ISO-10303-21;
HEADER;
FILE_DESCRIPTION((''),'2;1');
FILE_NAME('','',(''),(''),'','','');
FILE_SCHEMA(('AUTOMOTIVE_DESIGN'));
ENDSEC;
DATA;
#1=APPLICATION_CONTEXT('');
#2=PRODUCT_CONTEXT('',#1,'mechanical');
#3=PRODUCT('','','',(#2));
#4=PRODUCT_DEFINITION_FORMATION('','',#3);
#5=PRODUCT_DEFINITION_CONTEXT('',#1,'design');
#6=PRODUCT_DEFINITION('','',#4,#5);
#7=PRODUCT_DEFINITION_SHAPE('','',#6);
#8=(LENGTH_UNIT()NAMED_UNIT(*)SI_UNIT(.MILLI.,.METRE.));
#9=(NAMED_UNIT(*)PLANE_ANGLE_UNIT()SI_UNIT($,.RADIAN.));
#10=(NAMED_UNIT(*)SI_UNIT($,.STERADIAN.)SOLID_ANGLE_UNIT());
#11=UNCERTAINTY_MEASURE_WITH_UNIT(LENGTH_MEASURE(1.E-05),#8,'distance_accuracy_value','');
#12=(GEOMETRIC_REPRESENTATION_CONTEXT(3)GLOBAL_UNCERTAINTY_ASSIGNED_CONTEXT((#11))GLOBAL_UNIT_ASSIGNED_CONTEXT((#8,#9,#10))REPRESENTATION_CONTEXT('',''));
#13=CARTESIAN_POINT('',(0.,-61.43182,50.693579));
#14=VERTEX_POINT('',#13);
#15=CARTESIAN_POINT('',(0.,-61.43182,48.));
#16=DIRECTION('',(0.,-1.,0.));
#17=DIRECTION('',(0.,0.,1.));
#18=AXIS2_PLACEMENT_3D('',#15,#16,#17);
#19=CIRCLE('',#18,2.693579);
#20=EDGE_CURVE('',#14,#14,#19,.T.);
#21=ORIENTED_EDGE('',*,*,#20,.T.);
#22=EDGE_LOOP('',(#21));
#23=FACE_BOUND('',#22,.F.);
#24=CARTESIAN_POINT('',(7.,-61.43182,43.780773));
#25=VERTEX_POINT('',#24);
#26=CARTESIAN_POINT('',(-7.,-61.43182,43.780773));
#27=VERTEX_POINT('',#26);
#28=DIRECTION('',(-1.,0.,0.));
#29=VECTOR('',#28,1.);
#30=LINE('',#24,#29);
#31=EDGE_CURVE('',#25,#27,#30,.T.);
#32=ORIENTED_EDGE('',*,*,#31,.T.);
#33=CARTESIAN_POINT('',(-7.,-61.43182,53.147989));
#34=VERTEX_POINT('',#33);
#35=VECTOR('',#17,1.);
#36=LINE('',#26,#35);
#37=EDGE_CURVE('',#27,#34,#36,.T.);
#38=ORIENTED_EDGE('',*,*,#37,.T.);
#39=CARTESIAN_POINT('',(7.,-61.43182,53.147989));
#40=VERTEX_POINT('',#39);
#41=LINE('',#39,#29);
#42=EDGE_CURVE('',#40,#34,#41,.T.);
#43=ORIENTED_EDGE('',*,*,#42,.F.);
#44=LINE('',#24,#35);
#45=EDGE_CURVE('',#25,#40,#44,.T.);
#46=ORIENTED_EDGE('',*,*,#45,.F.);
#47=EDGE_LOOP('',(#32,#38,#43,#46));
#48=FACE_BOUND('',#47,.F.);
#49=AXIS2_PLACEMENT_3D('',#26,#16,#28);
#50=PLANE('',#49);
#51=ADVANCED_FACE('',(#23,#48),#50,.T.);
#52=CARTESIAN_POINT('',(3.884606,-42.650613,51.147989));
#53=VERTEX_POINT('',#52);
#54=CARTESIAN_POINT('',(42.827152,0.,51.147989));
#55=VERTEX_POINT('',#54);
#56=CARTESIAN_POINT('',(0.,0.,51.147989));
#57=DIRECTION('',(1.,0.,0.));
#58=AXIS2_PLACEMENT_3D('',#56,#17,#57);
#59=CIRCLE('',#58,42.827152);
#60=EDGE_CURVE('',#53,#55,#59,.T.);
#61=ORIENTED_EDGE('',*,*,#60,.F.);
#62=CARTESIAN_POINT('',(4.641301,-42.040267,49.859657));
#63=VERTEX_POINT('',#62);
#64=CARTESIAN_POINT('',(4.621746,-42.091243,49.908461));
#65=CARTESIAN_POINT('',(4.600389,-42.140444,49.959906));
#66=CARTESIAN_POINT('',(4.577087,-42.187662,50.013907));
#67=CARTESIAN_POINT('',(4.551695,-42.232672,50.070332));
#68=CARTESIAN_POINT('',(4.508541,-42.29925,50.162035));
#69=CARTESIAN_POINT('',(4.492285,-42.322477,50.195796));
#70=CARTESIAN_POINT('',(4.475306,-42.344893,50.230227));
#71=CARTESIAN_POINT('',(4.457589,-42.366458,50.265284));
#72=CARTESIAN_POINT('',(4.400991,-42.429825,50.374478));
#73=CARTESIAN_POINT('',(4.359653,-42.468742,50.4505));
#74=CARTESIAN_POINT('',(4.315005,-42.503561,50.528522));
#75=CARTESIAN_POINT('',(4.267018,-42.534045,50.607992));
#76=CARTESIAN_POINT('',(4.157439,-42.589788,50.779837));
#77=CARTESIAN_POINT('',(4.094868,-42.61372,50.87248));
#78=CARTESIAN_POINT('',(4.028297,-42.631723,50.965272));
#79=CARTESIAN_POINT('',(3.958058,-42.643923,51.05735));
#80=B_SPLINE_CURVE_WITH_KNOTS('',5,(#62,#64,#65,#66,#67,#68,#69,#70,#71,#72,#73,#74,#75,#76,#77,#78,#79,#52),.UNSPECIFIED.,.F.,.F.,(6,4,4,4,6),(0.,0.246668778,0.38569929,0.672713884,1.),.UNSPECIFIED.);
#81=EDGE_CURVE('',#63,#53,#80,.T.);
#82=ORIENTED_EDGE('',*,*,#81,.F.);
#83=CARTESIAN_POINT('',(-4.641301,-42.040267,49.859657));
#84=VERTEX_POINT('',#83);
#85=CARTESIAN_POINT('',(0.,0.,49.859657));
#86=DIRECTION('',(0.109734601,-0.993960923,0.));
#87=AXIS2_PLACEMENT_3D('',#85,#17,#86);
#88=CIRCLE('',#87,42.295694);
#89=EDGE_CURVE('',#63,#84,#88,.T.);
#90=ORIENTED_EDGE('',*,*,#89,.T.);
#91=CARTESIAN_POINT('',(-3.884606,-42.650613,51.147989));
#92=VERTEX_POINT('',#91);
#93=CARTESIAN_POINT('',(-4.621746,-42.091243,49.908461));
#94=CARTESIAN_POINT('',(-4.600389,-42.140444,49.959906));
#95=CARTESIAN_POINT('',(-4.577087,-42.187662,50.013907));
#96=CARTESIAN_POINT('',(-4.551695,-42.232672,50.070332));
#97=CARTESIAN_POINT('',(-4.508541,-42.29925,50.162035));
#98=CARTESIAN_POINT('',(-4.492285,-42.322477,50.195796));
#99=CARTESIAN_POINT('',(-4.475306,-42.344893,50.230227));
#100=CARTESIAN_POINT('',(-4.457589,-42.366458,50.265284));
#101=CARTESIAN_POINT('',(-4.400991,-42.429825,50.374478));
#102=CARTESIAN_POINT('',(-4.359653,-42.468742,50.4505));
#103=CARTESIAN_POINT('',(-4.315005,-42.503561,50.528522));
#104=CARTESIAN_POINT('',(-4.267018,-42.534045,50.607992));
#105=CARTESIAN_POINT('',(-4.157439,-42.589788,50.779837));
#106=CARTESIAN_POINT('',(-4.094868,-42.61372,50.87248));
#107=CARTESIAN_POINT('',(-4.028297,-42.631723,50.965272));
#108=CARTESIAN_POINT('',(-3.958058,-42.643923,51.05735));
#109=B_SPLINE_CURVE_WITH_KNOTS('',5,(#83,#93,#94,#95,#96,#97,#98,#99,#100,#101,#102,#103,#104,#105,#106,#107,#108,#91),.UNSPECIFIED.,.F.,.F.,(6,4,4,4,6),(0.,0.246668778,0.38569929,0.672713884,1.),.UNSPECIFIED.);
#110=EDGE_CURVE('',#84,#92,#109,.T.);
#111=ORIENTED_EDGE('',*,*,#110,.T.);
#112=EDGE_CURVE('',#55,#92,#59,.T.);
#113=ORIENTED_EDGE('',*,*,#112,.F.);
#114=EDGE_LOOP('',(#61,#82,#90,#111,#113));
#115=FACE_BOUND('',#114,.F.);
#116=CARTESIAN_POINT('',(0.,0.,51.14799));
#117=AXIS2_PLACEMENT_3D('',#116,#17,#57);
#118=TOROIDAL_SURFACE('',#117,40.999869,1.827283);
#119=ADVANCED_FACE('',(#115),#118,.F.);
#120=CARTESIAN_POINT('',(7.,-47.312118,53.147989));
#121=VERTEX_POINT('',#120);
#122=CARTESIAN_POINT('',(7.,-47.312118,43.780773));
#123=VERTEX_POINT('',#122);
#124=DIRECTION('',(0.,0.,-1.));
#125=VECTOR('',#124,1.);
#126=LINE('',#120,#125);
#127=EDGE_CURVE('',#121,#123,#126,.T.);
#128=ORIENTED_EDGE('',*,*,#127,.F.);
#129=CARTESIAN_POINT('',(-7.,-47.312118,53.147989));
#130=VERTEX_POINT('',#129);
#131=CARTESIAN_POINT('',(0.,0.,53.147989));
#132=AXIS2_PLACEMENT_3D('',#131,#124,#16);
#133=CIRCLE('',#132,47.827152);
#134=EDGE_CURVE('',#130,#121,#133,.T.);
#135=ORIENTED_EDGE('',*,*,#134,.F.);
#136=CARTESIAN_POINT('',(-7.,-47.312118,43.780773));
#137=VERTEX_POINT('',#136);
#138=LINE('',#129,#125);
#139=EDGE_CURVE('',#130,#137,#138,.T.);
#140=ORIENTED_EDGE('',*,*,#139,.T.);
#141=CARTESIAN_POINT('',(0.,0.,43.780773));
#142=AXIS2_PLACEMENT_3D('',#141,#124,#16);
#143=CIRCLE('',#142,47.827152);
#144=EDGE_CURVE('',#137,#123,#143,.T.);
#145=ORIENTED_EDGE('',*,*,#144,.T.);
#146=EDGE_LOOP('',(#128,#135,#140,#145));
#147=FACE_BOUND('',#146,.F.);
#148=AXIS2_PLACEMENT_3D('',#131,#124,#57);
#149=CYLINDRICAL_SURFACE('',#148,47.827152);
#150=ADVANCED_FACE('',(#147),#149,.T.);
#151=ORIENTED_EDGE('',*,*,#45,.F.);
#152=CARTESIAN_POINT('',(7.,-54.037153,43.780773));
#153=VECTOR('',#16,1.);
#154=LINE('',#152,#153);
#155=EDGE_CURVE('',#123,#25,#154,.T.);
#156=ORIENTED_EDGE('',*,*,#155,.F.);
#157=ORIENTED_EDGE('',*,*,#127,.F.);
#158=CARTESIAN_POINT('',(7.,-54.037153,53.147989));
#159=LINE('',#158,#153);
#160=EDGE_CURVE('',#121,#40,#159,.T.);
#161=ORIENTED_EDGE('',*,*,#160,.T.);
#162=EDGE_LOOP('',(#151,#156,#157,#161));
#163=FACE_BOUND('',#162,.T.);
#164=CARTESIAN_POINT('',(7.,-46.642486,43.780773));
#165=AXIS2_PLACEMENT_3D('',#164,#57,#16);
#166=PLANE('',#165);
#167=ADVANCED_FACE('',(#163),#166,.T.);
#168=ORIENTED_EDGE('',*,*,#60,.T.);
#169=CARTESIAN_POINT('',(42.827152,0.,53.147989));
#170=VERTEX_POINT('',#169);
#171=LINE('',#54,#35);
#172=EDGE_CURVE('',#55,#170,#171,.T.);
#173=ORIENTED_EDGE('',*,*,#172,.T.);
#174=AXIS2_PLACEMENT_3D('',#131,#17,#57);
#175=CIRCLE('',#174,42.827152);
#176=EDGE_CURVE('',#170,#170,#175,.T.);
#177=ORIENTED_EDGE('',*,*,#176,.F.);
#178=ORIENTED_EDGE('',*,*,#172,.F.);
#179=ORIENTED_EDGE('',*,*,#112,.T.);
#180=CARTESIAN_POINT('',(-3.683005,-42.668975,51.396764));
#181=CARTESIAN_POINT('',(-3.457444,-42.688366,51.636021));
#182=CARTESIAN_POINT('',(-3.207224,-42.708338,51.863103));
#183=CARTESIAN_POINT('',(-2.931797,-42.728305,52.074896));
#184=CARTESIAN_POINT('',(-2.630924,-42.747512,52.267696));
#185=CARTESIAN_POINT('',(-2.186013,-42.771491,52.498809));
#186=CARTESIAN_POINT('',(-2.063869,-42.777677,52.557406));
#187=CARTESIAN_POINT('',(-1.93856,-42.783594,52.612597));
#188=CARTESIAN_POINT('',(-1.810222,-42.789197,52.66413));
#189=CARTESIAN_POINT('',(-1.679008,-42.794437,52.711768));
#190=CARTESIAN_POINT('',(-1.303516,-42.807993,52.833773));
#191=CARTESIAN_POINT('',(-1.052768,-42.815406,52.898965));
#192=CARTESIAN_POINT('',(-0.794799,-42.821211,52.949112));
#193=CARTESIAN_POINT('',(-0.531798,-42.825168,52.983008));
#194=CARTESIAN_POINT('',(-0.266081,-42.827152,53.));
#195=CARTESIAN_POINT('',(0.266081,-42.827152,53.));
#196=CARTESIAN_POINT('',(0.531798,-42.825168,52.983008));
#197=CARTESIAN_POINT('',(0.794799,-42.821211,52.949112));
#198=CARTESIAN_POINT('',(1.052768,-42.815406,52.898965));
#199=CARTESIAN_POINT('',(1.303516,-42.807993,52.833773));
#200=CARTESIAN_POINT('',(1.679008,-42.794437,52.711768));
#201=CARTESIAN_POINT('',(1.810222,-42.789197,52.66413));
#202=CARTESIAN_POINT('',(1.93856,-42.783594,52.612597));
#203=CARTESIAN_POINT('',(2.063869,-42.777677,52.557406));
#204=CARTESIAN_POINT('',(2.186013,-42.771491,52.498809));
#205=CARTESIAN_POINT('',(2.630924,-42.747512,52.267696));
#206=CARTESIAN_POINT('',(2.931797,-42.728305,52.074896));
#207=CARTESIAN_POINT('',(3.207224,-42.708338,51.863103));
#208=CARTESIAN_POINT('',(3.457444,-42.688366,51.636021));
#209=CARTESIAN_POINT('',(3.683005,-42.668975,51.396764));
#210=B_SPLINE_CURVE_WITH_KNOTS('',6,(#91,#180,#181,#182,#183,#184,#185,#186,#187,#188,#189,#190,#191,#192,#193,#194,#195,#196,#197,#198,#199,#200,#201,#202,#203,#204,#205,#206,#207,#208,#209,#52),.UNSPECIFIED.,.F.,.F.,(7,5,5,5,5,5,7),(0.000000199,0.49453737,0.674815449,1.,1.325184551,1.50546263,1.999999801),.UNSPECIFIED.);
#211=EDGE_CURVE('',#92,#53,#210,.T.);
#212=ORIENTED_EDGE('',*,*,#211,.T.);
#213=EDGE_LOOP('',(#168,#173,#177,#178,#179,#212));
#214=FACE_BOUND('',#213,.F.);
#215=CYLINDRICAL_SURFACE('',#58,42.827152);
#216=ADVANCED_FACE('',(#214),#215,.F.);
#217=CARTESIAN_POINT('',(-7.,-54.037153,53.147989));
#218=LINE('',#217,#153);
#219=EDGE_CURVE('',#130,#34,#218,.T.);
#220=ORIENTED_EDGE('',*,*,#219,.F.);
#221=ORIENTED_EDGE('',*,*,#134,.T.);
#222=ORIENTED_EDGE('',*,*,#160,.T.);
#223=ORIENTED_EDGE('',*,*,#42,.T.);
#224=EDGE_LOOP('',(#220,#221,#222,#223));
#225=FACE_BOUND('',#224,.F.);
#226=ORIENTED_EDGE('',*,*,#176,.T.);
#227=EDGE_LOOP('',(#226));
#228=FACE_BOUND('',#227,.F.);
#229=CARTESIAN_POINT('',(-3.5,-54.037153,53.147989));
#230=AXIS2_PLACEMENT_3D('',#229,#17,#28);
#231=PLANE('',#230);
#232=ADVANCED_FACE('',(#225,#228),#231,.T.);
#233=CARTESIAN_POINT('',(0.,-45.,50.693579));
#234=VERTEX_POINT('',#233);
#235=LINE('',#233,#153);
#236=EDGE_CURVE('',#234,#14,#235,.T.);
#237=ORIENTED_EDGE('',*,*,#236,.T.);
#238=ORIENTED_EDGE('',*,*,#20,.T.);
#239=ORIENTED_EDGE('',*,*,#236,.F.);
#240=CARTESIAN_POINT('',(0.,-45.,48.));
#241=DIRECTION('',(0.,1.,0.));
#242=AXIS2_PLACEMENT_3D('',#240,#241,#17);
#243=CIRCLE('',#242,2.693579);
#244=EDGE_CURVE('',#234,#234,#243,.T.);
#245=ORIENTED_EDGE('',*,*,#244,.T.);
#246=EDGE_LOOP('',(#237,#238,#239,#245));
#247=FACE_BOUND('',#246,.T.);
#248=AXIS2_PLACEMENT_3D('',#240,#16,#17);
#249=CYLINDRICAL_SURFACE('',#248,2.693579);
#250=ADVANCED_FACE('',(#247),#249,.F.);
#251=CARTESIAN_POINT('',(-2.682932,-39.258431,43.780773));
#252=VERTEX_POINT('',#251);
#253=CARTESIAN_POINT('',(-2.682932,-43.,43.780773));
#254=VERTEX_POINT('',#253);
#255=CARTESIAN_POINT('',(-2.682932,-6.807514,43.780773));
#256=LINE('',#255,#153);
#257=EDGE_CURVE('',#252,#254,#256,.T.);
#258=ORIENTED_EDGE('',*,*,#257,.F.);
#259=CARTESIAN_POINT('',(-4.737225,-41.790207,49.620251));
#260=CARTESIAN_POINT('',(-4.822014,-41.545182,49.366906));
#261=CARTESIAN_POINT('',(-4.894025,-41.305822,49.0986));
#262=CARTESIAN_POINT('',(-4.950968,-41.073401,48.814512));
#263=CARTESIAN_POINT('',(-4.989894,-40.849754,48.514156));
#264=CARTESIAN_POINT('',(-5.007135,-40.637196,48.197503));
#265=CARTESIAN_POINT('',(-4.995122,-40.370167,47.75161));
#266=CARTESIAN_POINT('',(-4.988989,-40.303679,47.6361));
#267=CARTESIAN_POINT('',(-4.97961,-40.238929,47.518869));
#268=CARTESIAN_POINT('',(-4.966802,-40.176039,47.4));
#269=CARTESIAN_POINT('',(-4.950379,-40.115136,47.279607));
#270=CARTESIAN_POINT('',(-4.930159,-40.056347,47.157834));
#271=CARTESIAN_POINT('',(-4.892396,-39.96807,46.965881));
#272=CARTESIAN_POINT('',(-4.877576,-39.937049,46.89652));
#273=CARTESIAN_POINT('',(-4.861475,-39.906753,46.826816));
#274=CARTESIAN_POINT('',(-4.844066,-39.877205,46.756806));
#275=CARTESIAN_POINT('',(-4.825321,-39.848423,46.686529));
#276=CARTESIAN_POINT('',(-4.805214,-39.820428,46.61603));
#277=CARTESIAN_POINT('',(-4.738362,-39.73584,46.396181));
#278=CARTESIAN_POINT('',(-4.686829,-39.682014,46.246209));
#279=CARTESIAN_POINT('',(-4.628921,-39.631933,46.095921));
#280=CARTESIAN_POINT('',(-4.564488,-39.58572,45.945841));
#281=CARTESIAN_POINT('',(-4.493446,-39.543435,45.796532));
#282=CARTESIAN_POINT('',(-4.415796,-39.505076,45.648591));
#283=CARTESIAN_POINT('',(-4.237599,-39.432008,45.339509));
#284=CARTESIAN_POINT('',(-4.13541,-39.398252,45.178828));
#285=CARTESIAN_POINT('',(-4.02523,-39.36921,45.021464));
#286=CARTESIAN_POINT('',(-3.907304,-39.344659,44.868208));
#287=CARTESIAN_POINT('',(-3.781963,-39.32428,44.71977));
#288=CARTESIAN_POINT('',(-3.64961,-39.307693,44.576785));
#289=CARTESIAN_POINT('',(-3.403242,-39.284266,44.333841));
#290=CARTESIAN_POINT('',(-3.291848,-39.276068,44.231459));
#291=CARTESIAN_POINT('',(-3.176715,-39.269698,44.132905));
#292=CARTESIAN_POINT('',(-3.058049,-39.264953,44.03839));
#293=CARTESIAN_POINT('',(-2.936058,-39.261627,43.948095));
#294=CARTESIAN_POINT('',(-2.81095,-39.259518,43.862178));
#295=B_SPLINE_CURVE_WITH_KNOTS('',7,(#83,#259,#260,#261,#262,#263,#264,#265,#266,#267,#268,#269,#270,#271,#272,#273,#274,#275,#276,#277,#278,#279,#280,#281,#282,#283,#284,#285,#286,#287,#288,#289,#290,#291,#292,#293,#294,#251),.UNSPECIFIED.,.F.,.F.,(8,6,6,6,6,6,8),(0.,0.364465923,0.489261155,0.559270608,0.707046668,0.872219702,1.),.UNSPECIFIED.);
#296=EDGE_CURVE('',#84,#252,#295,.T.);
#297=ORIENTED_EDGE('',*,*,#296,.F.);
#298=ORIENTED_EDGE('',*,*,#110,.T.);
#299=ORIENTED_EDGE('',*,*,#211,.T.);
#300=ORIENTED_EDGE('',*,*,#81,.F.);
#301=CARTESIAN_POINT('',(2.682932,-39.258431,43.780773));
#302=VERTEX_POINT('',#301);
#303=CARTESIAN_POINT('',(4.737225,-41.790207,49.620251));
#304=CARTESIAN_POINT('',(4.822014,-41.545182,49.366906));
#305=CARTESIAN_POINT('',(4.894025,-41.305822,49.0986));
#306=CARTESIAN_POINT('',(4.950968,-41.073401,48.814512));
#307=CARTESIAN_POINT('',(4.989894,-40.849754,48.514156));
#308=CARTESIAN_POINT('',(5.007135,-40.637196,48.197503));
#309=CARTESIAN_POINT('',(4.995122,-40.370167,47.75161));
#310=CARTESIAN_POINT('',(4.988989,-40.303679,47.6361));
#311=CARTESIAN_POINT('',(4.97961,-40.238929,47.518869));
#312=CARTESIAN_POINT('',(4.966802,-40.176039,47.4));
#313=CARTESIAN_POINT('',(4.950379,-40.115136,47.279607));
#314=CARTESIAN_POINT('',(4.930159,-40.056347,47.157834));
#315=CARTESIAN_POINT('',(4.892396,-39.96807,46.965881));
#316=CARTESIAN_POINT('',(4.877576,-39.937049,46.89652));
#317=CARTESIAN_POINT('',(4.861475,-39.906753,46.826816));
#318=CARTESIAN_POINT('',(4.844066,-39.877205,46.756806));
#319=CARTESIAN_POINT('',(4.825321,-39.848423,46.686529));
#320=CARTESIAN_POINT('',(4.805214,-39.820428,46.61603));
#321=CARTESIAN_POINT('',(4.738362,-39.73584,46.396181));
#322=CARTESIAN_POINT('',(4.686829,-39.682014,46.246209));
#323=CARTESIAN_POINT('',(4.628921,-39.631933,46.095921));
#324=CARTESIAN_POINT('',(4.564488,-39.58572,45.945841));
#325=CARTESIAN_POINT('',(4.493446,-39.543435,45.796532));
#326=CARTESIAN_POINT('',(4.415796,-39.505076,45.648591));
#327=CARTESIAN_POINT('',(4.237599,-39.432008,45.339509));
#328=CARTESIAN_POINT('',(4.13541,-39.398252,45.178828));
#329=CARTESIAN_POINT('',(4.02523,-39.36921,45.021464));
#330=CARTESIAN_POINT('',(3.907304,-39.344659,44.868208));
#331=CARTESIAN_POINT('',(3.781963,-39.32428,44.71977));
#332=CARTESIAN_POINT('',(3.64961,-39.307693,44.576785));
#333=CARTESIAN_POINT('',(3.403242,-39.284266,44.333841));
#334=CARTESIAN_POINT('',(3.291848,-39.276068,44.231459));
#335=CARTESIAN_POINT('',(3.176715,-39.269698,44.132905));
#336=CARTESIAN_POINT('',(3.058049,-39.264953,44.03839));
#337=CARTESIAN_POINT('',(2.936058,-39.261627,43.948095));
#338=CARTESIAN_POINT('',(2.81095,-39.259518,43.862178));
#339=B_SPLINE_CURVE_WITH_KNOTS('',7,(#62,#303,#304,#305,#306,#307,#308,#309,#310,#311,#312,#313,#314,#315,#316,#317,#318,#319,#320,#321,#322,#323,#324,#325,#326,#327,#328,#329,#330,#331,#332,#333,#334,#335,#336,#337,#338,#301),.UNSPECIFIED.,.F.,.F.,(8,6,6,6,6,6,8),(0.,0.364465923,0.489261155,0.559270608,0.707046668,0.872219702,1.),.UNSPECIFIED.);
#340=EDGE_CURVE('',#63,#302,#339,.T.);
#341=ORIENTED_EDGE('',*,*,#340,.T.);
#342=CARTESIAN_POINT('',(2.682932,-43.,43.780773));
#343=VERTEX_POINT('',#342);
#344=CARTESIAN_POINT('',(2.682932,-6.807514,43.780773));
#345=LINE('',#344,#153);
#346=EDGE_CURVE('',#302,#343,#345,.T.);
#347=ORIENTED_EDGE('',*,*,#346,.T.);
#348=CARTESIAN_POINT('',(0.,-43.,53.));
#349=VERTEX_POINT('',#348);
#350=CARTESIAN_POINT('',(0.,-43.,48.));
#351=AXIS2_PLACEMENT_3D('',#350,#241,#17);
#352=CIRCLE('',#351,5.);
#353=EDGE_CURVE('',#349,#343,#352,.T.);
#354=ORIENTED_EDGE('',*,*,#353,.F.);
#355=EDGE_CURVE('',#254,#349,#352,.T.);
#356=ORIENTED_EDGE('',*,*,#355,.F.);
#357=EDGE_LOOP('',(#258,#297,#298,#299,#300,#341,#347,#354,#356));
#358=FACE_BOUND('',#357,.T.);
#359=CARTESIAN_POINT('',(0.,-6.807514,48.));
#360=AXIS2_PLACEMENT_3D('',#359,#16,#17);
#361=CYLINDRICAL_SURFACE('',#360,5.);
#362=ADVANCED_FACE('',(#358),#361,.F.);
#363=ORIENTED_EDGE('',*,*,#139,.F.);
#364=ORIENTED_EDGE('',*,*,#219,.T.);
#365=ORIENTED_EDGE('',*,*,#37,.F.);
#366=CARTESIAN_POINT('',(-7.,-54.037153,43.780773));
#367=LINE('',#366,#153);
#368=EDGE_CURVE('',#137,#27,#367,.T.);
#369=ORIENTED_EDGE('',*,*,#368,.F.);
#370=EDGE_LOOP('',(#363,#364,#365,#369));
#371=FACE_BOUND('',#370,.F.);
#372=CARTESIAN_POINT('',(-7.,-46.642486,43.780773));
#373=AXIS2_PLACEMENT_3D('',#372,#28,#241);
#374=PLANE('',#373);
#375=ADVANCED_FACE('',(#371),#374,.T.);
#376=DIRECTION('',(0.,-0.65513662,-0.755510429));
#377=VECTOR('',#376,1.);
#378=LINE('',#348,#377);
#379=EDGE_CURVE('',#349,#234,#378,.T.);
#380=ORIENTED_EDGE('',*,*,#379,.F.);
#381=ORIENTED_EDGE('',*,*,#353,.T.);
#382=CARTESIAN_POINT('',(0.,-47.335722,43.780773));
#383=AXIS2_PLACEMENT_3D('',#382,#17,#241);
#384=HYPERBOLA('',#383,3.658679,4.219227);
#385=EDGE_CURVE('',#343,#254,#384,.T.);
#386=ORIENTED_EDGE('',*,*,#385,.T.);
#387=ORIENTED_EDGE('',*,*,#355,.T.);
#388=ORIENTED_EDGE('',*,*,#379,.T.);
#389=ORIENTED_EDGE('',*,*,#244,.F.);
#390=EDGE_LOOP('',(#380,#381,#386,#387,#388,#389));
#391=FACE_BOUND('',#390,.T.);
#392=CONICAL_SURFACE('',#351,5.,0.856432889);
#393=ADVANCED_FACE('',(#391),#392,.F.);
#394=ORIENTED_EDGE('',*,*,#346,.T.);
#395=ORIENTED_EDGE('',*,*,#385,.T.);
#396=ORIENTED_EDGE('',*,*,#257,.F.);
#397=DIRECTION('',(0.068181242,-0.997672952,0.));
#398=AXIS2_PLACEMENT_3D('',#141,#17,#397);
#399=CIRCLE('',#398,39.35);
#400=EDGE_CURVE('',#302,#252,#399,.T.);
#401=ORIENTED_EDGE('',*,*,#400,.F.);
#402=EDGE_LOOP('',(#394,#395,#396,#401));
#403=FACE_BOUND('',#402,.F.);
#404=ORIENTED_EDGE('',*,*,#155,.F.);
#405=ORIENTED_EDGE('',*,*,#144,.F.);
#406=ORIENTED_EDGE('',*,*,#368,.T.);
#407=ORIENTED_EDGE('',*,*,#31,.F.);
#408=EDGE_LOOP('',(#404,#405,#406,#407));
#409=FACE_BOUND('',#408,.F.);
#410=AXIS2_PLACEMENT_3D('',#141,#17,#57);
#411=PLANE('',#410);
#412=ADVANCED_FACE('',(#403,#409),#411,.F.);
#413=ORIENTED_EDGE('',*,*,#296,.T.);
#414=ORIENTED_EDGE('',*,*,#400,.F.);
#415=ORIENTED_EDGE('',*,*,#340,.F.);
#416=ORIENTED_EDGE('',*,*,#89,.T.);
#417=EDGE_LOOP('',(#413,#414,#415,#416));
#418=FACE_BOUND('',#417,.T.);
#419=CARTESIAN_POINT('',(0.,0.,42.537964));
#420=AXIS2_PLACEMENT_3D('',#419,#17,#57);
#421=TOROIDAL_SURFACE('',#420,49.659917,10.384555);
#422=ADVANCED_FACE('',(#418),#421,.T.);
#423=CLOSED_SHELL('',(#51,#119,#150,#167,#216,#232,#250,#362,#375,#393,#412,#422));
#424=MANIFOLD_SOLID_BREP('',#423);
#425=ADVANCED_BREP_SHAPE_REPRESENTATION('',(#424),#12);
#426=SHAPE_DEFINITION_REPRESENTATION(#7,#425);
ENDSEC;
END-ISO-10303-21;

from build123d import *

# Parameters (mm, degrees)
SKETCH002_W = 7
SKETCH002_H = 14.789333
PAD_DEPTH   = 9.367216


with BuildPart() as part:
    # Sketch → Revolution (revolve)
    with BuildSketch(Plane.XZ):
        with BuildLine():
            ThreePointArc((42.295694, 49.859657), (40.314757, 47.066424), (39.35, 43.780773))
            Line((47.827152, 43.780773), (39.35, 43.780773))
            Line((47.827152, 53.147989), (47.827152, 43.780773))
            Line((42.827152, 53.147989), (47.827152, 53.147989))
            Line((42.827152, 51.147989), (42.827152, 53.147989))
            ThreePointArc((42.295694, 49.859657), (42.68907, 50.451166), (42.827152, 51.147989))
        make_face()
    revolve(axis=Axis((0, 0, 0), (0, 0, 1)))

    # Sketch002 (on DatumPlane) → Pad (new body)
    with BuildSketch(Plane(origin=(0, 0, 43.780773), x_dir=(-1, 0, 0), z_dir=(0, 0, 1))):
        with Locations((-3.5, 54.037153)):
            Rectangle(SKETCH002_W, SKETCH002_H)
    pad = extrude(amount=PAD_DEPTH)

    # Mirrored: Pad across Sketch002 V_Axis
    add(pad.mirror(Plane(origin=(0, 0, 43.780773), x_dir=(0, 0, 1), z_dir=(-1, 0, 0))))

    # Sketch003 → Groove (revolve, cut)
    with BuildSketch(Plane(origin=(0, -43, 48), x_dir=(0, 1, 0), z_dir=(1, 0, 0))):
        Polygon((0, 5), (-2, 2.693579), (-42.222773, 2.693579), (-42.408872, 0), (36.192486, 0), (36.192486, 5), align=None)
    revolve(axis=Axis((0, -43, 48), (0, 1, 0)), mode=Mode.SUBTRACT)


solid = part.part
